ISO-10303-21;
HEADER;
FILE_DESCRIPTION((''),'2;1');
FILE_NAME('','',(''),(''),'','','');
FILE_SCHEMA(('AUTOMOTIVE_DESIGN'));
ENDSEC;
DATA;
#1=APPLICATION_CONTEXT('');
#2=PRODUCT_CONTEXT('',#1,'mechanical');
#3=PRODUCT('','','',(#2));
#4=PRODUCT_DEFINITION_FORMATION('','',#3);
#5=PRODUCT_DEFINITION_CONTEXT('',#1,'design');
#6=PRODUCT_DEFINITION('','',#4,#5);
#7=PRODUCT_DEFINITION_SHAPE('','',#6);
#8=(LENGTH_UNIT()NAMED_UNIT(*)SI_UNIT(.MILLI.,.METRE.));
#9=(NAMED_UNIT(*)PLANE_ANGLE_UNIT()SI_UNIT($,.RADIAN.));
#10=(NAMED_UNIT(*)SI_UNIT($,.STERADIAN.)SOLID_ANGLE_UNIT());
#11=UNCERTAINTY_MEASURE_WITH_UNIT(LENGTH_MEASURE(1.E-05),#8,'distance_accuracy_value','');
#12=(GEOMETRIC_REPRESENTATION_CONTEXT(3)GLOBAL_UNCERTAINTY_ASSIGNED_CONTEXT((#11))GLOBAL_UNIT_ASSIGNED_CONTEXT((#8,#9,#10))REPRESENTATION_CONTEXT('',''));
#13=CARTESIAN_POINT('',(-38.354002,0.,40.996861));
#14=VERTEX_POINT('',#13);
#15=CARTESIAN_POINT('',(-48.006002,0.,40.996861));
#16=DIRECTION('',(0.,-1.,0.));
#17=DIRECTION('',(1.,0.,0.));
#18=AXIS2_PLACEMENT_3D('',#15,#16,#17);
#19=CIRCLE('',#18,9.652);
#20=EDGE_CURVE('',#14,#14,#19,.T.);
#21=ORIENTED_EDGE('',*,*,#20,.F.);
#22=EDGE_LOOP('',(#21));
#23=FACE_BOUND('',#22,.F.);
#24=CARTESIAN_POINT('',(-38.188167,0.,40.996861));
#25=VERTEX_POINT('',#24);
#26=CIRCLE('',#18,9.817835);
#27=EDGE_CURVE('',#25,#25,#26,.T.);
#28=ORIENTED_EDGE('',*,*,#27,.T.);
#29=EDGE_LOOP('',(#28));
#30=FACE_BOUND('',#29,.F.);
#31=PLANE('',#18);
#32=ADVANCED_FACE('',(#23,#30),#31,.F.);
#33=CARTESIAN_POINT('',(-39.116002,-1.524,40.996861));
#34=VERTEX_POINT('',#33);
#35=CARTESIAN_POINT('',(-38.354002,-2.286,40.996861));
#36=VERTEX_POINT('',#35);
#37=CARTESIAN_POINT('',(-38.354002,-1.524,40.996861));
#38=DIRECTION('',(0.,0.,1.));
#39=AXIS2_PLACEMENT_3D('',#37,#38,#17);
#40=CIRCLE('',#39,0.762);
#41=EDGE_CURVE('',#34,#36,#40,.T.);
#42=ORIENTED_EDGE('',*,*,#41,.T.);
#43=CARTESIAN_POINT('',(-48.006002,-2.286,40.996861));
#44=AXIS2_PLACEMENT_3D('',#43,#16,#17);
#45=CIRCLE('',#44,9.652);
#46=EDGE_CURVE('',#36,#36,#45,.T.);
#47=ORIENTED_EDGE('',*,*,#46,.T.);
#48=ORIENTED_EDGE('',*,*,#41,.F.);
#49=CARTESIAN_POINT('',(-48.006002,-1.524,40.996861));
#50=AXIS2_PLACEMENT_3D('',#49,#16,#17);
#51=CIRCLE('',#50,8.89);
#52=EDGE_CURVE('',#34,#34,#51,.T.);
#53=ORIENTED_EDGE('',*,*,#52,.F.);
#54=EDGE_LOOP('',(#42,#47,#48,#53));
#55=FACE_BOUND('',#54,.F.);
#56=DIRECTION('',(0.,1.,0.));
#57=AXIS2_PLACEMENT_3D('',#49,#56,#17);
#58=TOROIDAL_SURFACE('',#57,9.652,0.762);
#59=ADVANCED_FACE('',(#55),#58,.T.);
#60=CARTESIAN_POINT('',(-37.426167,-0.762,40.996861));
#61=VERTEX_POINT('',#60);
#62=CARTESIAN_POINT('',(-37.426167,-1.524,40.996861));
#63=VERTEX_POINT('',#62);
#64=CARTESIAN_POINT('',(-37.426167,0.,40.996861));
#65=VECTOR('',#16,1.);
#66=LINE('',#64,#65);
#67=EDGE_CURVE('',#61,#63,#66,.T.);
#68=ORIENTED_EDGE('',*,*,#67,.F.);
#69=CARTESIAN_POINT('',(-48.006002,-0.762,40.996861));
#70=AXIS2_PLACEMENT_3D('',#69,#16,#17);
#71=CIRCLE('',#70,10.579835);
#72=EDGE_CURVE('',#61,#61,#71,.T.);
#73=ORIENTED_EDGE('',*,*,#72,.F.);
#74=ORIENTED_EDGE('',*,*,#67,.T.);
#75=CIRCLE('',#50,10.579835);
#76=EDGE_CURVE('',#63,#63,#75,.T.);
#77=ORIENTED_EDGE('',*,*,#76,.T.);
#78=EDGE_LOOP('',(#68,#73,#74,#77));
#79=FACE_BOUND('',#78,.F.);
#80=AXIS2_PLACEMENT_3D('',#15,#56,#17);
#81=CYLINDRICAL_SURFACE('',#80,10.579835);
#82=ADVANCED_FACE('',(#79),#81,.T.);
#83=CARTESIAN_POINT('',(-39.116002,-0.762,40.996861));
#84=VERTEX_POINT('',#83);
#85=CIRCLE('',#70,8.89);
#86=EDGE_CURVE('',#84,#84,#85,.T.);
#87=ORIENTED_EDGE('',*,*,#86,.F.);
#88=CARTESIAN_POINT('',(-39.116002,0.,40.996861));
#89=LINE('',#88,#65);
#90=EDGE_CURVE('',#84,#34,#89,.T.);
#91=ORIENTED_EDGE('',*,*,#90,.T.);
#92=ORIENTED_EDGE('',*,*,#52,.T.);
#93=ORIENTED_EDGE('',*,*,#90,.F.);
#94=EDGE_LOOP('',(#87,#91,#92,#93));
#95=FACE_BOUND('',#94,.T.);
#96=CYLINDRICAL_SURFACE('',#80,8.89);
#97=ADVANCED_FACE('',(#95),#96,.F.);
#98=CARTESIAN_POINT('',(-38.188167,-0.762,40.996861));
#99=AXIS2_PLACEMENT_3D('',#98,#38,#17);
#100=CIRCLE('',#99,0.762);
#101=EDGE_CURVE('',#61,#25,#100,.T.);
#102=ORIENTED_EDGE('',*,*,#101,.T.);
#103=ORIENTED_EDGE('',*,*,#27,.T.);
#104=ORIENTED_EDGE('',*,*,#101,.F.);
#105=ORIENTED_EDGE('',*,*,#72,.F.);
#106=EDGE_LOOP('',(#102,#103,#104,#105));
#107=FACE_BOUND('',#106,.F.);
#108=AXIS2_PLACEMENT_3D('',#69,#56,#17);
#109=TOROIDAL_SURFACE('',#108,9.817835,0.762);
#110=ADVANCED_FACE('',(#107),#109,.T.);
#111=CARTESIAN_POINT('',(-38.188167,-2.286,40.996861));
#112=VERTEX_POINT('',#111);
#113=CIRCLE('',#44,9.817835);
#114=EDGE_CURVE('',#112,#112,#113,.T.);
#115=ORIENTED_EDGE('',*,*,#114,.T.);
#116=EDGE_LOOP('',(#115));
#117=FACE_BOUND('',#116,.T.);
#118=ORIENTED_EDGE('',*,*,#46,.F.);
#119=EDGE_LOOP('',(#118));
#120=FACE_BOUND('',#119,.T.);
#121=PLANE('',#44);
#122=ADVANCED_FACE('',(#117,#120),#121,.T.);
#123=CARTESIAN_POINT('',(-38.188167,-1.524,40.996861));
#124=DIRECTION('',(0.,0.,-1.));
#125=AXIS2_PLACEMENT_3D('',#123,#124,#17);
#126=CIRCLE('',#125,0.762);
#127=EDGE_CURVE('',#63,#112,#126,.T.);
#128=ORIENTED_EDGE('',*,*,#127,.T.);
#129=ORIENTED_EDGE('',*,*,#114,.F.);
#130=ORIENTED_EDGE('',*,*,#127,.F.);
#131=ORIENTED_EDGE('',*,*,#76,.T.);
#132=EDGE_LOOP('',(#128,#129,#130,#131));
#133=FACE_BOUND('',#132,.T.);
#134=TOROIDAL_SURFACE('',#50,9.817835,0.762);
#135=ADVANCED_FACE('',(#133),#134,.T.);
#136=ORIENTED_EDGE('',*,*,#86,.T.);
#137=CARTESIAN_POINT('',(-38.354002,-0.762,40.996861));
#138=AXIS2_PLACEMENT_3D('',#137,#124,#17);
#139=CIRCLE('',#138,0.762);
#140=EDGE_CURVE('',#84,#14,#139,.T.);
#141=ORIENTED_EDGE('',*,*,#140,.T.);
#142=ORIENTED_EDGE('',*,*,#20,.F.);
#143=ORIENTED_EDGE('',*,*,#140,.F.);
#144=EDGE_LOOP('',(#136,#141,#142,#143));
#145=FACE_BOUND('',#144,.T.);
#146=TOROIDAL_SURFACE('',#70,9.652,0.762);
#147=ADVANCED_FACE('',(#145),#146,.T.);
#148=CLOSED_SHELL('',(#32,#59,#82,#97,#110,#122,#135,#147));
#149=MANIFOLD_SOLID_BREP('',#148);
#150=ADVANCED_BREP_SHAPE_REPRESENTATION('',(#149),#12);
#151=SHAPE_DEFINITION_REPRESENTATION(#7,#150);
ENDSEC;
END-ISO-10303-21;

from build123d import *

# Parameters (mm, degrees)
F0_R     = 10.579835
F0_R_2   = 8.89
F1_DEPTH = 2.286
F2_R     = 0.762


with BuildPart() as f1:
    # F0 (on Front) → F1 (new body)
    with BuildSketch(Plane.XZ):
        with Locations((-48.006002, 40.996861)):
            Circle(F0_R)
        with Locations((-48.006002, 40.996861)):
            Circle(F0_R_2, mode=Mode.SUBTRACT)
    extrude(amount=F1_DEPTH)

    # F2
    f2_edges = [f1.edges().sort_by_distance(p)[0] for p in [
        (-58.585837, -2.286, 40.996861),
        (-58.585837, 0, 40.996861),
        (-56.896002, 0, 40.996861),
        (-56.896002, -2.286, 40.996861),
    ]]
    fillet(f2_edges, radius=F2_R)


solid = f1.part
